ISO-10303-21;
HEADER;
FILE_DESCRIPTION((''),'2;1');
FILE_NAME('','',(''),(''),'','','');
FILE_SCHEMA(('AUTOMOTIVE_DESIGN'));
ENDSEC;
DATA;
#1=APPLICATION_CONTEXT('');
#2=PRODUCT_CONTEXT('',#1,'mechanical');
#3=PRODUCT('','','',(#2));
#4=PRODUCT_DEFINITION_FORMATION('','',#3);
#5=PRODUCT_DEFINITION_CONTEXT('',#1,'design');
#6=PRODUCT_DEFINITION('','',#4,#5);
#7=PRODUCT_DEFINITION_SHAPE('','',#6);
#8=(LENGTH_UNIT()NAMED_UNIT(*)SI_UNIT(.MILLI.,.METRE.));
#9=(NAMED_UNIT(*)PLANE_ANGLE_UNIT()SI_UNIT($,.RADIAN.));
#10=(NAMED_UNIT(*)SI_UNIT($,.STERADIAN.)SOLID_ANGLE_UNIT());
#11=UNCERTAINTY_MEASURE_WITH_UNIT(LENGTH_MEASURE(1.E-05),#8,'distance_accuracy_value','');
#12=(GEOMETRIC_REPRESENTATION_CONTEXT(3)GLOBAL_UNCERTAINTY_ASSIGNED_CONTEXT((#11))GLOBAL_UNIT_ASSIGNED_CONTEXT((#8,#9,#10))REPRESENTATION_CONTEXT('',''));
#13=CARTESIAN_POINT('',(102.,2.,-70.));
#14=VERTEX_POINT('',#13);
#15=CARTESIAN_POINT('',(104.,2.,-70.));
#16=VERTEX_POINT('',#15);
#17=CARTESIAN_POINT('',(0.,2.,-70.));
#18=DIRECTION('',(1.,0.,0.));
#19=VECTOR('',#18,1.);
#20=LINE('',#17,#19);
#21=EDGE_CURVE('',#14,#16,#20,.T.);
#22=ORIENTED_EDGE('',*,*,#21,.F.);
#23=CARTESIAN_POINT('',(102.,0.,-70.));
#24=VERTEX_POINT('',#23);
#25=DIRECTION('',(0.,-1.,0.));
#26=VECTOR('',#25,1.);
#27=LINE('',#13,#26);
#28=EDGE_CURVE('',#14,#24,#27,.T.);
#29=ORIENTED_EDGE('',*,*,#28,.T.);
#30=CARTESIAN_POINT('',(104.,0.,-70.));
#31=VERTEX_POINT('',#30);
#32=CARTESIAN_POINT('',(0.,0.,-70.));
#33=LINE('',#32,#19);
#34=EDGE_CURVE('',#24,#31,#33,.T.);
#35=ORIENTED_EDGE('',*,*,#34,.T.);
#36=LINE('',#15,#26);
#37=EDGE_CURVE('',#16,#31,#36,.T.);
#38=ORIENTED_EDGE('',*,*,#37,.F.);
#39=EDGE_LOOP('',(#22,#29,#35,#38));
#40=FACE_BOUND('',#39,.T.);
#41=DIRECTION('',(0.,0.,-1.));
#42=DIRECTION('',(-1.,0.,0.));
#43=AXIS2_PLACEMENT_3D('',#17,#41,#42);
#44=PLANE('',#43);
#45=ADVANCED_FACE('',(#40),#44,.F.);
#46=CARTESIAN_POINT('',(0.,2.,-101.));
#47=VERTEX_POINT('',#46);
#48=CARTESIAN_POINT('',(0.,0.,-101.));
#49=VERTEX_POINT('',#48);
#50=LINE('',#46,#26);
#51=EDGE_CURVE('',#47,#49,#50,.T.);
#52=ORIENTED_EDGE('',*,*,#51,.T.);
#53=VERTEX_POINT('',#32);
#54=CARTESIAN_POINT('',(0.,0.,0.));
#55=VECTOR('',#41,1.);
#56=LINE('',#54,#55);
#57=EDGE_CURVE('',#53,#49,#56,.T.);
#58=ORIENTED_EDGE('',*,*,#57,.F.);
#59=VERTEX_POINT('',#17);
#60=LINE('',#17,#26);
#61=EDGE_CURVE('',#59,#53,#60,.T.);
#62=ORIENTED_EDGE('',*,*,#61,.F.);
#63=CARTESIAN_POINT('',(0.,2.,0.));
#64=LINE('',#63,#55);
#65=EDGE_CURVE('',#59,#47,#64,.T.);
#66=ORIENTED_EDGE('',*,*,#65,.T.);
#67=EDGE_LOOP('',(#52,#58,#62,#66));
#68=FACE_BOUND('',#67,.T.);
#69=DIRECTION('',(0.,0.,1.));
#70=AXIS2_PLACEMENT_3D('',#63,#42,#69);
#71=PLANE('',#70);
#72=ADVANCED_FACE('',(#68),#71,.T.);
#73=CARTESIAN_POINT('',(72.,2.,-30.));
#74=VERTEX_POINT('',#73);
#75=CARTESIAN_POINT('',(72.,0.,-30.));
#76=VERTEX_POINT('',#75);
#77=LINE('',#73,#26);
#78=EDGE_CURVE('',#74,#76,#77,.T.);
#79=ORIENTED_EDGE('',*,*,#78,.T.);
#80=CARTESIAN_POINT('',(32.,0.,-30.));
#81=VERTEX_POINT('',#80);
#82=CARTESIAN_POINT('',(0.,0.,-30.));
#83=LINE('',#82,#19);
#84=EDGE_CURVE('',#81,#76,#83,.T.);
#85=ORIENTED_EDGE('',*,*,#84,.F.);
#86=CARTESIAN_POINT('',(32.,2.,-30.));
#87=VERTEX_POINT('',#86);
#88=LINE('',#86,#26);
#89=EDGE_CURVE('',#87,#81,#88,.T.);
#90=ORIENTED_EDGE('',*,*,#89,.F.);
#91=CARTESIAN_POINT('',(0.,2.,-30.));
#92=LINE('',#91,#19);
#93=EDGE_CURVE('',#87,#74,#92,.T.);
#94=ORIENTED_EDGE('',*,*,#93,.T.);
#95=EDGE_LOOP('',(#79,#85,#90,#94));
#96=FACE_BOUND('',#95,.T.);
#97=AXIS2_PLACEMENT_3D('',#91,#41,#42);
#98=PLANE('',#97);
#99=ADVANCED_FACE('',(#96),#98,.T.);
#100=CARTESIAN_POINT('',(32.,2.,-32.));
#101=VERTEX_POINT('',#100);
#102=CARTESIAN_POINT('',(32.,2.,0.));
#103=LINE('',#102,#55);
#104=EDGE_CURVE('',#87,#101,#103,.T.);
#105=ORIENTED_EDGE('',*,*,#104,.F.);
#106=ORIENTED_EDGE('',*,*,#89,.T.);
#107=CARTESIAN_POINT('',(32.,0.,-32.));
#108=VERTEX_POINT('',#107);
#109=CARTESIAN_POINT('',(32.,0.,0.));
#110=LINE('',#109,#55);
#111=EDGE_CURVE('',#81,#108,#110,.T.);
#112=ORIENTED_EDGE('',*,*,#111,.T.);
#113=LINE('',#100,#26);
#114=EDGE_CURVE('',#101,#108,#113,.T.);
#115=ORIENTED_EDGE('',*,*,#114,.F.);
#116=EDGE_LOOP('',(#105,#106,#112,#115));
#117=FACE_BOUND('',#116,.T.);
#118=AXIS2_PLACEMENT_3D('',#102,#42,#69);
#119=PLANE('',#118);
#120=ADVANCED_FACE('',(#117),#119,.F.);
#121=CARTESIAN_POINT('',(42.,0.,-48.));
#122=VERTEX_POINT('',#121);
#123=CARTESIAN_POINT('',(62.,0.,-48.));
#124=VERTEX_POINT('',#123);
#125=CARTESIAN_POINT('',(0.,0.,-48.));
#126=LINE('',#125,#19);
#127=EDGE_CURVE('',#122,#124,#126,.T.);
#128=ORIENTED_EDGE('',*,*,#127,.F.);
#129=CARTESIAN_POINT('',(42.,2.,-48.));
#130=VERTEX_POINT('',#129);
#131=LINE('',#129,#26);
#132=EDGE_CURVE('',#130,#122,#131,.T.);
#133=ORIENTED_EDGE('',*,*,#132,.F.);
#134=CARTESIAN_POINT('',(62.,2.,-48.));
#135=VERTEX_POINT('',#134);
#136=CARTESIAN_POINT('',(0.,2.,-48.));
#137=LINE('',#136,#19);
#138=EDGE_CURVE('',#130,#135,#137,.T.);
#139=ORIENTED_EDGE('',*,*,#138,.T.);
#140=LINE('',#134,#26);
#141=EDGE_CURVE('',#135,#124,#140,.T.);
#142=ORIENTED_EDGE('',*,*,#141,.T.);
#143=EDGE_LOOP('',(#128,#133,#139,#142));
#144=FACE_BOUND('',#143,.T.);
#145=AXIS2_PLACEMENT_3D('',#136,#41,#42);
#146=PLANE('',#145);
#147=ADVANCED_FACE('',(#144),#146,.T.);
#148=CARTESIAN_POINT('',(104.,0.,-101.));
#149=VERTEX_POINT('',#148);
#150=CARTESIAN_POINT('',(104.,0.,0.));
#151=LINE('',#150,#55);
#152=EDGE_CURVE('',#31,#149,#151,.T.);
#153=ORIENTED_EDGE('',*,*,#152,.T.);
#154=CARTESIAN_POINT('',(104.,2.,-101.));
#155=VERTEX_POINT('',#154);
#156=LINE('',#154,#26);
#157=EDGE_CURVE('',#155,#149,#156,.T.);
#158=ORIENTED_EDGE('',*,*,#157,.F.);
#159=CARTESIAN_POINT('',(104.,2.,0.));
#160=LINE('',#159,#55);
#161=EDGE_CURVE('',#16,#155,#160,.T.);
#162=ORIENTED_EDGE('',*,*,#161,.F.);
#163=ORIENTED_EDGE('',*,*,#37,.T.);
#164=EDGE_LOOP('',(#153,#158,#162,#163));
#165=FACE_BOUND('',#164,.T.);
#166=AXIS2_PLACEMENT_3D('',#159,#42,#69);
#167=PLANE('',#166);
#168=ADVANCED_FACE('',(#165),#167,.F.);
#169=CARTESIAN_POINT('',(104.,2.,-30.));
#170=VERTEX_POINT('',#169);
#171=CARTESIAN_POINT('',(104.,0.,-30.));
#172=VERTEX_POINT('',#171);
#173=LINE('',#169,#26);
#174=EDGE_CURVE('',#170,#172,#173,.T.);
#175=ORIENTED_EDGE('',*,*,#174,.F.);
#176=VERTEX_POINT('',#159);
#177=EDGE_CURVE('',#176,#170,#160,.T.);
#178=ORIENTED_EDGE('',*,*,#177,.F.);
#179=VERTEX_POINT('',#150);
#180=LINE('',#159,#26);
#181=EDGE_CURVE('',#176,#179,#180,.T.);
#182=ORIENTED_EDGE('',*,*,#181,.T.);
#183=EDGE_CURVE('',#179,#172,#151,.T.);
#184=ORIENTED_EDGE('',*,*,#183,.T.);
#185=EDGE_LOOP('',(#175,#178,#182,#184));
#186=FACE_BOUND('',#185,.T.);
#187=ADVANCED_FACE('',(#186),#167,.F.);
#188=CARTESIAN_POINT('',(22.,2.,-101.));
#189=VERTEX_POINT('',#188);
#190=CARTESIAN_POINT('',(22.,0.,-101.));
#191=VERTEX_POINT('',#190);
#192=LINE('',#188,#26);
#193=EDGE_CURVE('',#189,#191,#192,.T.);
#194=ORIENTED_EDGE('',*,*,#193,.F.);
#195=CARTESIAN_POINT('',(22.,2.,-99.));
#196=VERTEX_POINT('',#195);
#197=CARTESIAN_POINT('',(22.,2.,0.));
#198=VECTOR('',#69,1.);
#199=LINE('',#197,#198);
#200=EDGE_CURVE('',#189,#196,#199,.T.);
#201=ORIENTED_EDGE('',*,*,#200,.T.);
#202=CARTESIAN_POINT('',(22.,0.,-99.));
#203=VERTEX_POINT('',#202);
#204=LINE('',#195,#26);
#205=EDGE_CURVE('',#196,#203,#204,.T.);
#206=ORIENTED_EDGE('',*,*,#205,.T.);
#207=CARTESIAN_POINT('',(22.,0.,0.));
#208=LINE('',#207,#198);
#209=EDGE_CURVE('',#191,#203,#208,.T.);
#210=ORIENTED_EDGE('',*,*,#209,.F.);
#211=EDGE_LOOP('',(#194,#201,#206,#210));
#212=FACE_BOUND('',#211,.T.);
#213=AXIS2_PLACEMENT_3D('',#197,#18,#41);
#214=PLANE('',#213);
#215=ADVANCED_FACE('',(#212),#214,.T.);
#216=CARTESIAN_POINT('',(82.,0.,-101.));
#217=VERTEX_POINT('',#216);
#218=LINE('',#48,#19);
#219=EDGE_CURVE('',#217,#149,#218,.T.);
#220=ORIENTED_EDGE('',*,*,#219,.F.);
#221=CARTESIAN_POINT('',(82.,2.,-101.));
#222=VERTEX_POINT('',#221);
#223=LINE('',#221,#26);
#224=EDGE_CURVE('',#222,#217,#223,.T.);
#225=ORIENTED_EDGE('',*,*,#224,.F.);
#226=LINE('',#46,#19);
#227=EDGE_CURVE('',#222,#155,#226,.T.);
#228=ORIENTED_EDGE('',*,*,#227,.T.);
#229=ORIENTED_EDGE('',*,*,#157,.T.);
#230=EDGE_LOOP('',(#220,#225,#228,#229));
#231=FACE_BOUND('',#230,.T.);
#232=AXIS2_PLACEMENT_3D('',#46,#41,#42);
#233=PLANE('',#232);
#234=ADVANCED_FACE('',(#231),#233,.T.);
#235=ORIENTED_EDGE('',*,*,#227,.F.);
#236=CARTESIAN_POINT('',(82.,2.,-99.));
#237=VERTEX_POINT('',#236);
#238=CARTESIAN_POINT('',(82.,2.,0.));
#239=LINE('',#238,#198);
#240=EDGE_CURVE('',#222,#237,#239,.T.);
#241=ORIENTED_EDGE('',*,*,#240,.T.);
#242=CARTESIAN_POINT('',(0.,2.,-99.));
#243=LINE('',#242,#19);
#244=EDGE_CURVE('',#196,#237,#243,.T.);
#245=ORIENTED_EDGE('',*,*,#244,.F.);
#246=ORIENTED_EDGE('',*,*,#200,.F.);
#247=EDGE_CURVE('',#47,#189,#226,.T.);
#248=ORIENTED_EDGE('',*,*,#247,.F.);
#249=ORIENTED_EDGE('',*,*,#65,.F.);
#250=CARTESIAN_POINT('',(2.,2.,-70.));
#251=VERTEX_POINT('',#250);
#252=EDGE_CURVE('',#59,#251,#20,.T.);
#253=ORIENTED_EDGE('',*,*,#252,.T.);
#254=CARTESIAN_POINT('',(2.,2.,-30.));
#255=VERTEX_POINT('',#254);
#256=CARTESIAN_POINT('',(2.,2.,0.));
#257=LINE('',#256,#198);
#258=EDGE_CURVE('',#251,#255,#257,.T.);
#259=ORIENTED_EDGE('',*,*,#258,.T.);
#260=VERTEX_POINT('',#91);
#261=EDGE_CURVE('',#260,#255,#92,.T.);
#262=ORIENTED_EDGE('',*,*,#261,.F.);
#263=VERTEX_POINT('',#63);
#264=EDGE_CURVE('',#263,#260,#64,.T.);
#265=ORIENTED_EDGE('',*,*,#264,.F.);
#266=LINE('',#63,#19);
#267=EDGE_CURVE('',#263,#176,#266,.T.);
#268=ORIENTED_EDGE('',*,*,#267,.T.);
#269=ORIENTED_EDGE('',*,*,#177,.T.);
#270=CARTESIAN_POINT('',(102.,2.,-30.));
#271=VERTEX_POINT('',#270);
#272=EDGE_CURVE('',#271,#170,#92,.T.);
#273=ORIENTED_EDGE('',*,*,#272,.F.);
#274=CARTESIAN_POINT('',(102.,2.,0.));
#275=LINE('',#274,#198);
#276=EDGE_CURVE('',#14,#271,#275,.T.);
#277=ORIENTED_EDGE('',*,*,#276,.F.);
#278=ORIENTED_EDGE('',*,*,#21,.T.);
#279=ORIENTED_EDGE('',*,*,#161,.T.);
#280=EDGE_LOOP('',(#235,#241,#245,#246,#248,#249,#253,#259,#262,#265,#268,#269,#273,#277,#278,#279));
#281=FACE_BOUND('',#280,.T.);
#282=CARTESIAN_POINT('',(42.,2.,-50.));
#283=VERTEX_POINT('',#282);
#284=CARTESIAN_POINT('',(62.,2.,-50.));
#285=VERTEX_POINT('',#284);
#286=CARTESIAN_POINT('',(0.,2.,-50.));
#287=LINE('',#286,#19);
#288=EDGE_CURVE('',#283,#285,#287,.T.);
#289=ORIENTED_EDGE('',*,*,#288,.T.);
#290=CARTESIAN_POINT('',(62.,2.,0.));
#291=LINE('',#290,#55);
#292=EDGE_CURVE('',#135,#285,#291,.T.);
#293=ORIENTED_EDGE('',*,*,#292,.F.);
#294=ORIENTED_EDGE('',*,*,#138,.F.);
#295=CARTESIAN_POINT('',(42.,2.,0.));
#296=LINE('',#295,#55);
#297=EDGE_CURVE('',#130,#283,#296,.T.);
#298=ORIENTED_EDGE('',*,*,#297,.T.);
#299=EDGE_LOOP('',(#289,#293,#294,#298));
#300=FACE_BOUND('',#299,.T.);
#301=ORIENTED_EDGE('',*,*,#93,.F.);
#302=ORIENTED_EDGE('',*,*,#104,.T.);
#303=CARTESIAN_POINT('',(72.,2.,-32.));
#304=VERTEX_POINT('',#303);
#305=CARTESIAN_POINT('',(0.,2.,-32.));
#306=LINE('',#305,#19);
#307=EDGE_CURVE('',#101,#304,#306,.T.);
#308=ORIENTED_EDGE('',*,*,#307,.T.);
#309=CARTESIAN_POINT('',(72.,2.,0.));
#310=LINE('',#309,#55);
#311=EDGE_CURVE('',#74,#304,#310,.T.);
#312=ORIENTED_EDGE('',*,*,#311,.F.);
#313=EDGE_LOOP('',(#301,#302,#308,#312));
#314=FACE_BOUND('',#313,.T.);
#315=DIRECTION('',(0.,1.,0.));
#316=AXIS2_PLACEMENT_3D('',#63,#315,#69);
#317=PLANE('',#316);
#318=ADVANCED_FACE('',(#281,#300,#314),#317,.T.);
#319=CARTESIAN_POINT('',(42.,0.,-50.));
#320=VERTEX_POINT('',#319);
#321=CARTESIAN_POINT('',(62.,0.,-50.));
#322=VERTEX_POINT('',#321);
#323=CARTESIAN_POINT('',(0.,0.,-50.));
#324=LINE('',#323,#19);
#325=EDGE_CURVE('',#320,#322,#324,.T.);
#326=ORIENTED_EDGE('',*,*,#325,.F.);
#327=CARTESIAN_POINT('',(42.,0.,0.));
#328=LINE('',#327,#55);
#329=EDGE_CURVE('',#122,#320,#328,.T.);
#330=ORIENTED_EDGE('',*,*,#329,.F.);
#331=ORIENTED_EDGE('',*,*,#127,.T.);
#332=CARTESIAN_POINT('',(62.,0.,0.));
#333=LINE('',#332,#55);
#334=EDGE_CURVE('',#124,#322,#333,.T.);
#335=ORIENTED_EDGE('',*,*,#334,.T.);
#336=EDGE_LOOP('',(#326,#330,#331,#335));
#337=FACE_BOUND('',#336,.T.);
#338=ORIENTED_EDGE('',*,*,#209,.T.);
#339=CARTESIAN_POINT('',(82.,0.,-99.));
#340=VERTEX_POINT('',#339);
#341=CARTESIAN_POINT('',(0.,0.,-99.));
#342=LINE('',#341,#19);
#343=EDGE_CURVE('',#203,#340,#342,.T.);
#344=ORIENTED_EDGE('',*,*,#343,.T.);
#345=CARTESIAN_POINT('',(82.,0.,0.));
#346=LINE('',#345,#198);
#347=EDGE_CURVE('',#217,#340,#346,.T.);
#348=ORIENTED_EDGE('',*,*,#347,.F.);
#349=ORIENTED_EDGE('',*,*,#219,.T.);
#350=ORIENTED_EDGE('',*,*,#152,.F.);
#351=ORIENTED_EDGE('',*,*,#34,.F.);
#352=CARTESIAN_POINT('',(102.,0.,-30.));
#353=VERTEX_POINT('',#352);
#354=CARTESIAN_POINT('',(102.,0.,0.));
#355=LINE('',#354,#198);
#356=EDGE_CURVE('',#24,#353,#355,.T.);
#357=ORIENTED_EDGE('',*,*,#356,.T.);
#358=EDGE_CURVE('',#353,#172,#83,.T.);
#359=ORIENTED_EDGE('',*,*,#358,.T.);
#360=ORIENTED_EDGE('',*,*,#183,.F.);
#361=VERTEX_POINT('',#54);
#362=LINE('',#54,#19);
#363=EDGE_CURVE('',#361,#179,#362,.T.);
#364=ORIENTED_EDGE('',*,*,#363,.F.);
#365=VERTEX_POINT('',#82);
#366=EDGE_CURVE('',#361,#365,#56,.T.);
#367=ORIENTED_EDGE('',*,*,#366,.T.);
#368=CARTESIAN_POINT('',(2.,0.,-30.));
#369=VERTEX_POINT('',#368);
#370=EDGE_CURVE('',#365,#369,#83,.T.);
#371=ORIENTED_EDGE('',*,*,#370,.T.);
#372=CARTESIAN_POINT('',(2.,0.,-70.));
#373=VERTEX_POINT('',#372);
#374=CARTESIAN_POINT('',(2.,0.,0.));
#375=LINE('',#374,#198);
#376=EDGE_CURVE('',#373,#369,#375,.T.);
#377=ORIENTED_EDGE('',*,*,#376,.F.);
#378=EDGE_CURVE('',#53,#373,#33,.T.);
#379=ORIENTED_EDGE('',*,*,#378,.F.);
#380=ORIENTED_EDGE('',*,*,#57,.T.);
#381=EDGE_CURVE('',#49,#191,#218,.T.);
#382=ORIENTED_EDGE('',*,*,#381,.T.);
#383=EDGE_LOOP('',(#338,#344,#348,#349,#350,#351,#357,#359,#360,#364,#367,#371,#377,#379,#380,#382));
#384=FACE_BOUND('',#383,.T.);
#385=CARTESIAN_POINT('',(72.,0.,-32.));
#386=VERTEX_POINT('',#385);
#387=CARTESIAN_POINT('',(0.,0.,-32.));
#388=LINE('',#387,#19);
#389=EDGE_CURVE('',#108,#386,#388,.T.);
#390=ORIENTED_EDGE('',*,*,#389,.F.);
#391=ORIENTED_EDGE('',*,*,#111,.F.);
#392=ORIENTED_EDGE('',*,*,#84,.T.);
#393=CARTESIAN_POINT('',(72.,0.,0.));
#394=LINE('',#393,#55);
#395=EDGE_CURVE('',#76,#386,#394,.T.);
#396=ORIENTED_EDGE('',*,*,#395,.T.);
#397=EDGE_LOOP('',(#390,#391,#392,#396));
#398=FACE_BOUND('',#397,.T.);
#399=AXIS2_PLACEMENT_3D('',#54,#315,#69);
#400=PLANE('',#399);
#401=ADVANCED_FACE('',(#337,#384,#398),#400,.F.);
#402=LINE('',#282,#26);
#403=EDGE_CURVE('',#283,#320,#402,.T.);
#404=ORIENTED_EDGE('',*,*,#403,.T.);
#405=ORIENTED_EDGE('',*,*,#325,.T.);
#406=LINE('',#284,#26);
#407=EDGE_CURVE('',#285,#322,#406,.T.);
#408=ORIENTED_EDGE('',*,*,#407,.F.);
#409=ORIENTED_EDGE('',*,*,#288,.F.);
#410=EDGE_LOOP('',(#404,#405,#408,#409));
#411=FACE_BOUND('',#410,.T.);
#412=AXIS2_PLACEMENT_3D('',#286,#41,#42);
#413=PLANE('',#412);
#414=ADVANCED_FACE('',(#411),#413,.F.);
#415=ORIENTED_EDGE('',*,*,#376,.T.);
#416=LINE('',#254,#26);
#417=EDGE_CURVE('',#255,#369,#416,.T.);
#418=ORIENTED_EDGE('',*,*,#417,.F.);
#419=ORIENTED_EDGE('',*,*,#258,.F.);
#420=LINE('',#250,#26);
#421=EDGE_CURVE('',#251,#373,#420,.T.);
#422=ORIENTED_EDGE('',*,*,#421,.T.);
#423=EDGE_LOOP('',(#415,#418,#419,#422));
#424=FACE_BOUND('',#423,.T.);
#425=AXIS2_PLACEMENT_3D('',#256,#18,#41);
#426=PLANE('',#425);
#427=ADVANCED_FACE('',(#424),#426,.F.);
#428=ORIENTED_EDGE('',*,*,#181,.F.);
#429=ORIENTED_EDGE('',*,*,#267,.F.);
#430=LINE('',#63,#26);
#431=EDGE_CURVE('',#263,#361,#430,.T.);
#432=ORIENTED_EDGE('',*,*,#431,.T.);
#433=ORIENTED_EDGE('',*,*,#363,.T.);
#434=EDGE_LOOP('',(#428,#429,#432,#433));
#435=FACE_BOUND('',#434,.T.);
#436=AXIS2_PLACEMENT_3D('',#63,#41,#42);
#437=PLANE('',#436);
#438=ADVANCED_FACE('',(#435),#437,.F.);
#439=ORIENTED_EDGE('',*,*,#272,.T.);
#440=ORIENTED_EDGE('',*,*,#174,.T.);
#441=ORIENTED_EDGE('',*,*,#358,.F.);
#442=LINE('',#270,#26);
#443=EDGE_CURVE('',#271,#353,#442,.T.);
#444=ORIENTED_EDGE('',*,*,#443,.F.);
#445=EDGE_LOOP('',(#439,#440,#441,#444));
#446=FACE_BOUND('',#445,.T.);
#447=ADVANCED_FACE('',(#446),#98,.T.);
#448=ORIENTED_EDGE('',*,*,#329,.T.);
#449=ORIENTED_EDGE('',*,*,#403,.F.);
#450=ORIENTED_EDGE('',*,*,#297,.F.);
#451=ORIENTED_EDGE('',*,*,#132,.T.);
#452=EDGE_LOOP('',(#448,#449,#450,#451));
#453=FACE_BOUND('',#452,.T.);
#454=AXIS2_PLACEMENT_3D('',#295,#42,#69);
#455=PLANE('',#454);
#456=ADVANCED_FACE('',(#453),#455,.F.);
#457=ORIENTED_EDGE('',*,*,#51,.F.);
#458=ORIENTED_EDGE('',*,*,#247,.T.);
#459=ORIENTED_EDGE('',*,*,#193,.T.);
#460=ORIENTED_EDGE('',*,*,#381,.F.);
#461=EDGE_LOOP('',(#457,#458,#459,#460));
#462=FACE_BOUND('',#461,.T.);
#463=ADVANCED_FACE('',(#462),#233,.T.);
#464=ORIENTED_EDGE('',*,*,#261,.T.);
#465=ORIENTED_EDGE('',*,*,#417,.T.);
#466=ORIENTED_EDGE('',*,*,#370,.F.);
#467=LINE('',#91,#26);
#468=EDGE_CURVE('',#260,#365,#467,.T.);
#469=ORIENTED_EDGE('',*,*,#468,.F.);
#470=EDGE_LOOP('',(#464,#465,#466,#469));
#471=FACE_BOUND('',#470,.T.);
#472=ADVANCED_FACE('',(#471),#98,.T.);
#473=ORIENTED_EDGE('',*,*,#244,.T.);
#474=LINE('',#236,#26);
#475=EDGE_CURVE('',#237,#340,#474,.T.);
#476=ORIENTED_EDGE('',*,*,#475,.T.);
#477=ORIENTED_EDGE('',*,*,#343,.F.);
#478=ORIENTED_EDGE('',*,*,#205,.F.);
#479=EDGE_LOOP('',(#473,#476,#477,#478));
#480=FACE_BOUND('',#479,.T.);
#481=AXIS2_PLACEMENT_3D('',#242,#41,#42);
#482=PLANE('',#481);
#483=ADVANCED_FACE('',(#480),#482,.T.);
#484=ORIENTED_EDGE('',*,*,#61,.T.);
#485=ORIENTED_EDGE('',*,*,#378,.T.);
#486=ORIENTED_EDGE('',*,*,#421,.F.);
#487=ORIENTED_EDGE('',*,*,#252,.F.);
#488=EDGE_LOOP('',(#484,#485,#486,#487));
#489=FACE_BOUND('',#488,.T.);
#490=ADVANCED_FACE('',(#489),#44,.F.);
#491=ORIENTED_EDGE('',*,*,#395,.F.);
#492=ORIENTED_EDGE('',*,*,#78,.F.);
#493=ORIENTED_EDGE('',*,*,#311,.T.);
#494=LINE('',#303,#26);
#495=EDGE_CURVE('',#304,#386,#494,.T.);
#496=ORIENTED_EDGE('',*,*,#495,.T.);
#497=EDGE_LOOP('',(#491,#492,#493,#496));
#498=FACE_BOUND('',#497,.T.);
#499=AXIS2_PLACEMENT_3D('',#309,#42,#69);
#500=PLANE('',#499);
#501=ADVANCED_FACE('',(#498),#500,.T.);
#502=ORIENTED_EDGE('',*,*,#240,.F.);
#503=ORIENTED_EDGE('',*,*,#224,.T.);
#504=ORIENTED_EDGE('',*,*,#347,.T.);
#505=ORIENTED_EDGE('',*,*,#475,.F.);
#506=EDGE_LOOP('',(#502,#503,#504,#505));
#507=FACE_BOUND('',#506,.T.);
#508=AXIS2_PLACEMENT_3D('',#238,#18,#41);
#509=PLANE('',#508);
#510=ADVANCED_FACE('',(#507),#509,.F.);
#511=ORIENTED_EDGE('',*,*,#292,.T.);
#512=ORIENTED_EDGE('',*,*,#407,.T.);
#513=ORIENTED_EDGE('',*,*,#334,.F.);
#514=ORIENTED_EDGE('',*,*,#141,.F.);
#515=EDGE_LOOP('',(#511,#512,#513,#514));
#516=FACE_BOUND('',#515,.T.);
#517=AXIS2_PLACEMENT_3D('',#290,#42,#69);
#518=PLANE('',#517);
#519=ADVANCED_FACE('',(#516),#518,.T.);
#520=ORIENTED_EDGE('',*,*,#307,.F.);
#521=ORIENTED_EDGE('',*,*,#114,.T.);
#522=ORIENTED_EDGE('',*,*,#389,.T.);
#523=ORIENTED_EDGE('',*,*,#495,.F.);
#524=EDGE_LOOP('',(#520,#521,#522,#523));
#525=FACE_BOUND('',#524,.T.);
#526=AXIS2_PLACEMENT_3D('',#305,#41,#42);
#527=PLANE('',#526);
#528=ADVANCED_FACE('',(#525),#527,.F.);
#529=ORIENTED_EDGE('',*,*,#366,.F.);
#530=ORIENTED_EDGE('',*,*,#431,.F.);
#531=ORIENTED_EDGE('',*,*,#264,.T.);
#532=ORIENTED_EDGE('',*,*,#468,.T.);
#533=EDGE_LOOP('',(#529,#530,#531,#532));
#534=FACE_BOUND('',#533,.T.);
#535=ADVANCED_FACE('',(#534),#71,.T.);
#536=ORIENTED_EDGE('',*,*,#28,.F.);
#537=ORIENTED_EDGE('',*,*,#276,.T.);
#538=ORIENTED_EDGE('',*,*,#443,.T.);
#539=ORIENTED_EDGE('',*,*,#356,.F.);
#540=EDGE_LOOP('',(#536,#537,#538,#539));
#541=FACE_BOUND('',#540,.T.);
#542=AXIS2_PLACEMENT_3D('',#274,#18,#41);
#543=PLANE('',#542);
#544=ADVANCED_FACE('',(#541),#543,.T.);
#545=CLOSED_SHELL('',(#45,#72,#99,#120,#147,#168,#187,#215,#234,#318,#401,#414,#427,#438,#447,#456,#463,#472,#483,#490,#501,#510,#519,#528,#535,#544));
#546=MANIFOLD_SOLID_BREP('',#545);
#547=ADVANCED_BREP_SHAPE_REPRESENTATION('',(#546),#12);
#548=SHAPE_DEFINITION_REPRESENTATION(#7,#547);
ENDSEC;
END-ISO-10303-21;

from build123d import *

# Parameters (mm, degrees)
SKETCH_1_W      = 40
SKETCH_1_H      = 2
SKETCH_1_W_2    = 20
EXTRUDE_2_DEPTH = 2


with BuildPart() as part:
    # 草图1 → 凸台-拉伸2 (new body)
    with BuildSketch(Plane(origin=(0, 0, 0), x_dir=(1, 0, 0), z_dir=(0, 1, 0))):
        Polygon((0, 30), (0, 0), (104, 0), (104, 30), (102, 30), (102, 70), (104, 70), (104, 101), (82, 101), (82, 99), (22, 99), (22, 101), (0, 101), (0, 70), (2, 70), (2, 30), align=None)
        with Locations((52, 31)):
            Rectangle(SKETCH_1_W, SKETCH_1_H, mode=Mode.SUBTRACT)
        with Locations((52, 49)):
            Rectangle(SKETCH_1_W_2, SKETCH_1_H, mode=Mode.SUBTRACT)
    extrude(amount=EXTRUDE_2_DEPTH)


solid = part.part
